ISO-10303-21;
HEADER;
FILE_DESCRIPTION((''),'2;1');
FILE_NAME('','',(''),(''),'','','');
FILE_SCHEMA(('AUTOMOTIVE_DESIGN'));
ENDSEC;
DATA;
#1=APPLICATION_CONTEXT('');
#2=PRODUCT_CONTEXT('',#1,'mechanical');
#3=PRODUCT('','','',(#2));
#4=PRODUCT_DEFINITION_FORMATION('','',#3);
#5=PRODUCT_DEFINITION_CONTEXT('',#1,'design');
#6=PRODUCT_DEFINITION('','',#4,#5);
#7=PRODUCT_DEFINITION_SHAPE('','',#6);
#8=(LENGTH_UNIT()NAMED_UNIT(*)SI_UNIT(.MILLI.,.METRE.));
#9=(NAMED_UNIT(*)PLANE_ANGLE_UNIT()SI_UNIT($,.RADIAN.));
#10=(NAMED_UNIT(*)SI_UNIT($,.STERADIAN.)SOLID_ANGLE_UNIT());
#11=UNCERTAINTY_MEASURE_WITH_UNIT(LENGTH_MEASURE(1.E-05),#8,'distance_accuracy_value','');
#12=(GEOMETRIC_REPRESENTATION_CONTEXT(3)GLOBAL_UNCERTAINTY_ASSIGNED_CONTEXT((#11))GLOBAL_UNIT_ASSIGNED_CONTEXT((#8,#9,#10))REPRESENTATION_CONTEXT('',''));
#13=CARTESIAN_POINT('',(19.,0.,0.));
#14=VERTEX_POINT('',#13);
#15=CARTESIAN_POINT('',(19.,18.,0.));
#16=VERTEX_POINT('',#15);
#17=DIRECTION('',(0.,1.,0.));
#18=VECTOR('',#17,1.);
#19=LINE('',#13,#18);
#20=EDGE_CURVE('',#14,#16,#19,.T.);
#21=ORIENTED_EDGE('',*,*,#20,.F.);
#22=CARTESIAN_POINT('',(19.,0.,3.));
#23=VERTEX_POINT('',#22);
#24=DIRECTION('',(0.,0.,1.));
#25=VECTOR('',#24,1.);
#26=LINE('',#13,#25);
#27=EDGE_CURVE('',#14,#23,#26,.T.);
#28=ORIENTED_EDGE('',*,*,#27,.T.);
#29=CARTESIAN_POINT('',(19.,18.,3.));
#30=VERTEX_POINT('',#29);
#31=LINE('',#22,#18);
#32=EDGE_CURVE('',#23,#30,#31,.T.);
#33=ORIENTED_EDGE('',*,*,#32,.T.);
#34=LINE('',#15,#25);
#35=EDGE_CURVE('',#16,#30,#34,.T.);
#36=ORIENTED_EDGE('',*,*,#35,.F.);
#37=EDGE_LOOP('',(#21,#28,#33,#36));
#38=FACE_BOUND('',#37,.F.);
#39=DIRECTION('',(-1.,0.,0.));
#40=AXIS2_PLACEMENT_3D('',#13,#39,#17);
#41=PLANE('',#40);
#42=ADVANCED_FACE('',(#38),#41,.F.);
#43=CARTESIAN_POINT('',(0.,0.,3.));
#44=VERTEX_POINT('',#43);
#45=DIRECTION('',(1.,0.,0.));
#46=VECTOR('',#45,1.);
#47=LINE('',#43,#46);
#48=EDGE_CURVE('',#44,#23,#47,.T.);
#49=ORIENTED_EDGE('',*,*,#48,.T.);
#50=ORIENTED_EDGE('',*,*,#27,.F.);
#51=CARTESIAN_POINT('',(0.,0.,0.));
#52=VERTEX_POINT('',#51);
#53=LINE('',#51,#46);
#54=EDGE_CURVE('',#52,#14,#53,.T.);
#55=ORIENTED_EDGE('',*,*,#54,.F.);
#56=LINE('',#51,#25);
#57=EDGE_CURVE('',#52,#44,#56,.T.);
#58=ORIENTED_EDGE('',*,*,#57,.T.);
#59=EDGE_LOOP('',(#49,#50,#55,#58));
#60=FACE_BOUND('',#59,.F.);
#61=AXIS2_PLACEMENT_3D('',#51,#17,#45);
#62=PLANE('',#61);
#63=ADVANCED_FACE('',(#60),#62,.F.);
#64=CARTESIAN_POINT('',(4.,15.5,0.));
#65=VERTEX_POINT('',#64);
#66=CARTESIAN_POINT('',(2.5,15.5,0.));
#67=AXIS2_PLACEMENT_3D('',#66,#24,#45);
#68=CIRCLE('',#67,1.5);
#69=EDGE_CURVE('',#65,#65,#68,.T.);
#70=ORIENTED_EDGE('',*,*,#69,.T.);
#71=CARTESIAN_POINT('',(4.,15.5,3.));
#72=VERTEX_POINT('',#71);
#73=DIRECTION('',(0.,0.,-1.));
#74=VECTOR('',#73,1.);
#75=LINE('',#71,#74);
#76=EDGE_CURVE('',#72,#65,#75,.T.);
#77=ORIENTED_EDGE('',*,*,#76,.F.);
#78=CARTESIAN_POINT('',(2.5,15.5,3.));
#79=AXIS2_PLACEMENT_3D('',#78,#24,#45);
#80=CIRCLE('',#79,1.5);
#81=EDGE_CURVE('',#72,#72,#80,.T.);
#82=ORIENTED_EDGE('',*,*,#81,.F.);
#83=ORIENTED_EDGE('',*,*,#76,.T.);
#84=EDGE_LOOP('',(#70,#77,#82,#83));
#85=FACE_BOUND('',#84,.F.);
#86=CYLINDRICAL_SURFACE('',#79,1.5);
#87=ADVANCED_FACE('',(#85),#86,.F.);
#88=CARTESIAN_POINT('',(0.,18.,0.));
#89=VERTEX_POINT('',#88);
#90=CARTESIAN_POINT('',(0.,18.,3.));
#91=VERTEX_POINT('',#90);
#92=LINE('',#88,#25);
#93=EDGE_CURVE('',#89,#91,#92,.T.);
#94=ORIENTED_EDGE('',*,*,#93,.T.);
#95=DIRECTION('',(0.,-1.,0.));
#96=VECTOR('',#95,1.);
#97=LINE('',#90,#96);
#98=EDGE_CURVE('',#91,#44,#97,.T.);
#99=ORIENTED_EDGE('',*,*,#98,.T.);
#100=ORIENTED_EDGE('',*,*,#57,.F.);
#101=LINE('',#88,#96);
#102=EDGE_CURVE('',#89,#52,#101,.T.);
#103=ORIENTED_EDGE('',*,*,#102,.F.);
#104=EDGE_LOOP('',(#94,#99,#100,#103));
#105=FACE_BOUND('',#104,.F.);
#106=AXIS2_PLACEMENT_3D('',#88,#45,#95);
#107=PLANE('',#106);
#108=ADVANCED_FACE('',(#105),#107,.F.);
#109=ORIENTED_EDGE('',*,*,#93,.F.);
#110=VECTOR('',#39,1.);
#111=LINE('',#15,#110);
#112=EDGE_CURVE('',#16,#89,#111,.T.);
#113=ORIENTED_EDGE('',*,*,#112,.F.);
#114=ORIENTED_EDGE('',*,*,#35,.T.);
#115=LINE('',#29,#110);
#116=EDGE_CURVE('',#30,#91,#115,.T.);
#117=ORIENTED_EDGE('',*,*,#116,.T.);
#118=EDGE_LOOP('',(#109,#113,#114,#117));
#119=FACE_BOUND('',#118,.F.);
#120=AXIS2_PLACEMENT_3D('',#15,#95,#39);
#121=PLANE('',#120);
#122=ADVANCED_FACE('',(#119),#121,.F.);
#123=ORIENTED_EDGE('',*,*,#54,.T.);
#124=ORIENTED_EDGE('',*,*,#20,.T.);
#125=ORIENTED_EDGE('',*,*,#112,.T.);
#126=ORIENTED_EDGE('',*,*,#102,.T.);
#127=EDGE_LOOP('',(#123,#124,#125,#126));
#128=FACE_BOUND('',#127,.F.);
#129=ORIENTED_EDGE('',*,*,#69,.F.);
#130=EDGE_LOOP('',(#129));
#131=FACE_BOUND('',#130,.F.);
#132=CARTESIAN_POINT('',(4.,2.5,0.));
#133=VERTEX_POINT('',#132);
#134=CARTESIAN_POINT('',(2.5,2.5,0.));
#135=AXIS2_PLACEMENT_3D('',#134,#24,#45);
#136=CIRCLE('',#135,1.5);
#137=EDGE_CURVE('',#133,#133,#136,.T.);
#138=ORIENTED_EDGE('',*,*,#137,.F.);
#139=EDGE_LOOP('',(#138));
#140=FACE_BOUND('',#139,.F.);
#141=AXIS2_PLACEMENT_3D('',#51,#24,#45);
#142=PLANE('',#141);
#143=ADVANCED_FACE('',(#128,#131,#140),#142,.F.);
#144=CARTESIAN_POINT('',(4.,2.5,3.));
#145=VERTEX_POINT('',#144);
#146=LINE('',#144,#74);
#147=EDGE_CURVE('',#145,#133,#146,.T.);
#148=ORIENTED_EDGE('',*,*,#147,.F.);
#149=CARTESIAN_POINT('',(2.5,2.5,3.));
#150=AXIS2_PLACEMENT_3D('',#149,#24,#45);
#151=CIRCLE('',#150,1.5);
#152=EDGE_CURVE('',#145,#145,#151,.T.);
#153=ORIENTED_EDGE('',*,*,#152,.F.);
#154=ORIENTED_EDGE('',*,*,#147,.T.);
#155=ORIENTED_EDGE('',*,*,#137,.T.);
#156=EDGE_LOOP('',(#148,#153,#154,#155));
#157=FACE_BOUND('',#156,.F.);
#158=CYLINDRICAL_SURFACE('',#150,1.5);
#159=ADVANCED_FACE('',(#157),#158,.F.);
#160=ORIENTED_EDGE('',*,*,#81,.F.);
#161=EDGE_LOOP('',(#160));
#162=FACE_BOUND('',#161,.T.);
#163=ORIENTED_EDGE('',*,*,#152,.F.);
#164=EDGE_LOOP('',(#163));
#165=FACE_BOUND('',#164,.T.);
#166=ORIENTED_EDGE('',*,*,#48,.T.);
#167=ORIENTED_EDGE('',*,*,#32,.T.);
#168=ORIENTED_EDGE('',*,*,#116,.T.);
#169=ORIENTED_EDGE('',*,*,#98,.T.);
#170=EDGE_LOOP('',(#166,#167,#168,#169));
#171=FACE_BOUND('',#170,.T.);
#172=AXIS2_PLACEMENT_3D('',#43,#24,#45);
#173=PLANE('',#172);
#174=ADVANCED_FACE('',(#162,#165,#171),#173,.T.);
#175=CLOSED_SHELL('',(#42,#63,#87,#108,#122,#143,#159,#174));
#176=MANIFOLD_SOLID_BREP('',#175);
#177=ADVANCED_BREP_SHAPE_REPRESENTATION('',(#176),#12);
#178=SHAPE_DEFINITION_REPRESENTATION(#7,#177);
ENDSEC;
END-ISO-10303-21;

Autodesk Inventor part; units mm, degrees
ref_plane "YZ Plane" through (0, 0, 0) normal (1, 0, 0) x (0, 1, 0)
ref_plane "XZ Plane" through (0, 0, 0) normal (0, 1, 0) x (-1, 0, 0)
ref_plane "XY Plane" through (0, 0, 0) normal (0, 0, 1) x (1, 0, 0)
sketch "Esquisse1" plane through (0, 0, 0) normal (0, 0, 1) x (1, 0, 0)
  line L0 (0, 0) -> (19, 0)
  line L1 (19, 0) -> (19, 18)
  line L2 (19, 18) -> (0, 18)
  line L3 (0, 18) -> (0, 0)
  dimension "d0" = 19
  dimension "d1" = 18
extrude "Extrusion1" add sketch "Esquisse1" along normal blind 3
sketch "Esquisse2" plane through (0, 0, 3) normal (0, 0, 1) x (1, 0, 0)
  line L0 (19, 18) -> (0, 18) projected
  line L1 (0, 18) -> (0, 0) projected
  circle A0 centre (2.5, 2.5) radius 1.5
  circle A1 centre (2.5, 15.5) radius 1.5
  dimension "d4" = 13
  dimension "d5" = 2.5
  dimension "d6" = 2.5
  dimension "d7" = 2.5
  dimension "d8" = 3
  dimension "d9" = 3
extrude "Extrusion2" cut sketch "Esquisse2" against normal through all
equation "\"d7\" = d6"
properties part number "TOF - VL6180X Fermion SEN0427"
